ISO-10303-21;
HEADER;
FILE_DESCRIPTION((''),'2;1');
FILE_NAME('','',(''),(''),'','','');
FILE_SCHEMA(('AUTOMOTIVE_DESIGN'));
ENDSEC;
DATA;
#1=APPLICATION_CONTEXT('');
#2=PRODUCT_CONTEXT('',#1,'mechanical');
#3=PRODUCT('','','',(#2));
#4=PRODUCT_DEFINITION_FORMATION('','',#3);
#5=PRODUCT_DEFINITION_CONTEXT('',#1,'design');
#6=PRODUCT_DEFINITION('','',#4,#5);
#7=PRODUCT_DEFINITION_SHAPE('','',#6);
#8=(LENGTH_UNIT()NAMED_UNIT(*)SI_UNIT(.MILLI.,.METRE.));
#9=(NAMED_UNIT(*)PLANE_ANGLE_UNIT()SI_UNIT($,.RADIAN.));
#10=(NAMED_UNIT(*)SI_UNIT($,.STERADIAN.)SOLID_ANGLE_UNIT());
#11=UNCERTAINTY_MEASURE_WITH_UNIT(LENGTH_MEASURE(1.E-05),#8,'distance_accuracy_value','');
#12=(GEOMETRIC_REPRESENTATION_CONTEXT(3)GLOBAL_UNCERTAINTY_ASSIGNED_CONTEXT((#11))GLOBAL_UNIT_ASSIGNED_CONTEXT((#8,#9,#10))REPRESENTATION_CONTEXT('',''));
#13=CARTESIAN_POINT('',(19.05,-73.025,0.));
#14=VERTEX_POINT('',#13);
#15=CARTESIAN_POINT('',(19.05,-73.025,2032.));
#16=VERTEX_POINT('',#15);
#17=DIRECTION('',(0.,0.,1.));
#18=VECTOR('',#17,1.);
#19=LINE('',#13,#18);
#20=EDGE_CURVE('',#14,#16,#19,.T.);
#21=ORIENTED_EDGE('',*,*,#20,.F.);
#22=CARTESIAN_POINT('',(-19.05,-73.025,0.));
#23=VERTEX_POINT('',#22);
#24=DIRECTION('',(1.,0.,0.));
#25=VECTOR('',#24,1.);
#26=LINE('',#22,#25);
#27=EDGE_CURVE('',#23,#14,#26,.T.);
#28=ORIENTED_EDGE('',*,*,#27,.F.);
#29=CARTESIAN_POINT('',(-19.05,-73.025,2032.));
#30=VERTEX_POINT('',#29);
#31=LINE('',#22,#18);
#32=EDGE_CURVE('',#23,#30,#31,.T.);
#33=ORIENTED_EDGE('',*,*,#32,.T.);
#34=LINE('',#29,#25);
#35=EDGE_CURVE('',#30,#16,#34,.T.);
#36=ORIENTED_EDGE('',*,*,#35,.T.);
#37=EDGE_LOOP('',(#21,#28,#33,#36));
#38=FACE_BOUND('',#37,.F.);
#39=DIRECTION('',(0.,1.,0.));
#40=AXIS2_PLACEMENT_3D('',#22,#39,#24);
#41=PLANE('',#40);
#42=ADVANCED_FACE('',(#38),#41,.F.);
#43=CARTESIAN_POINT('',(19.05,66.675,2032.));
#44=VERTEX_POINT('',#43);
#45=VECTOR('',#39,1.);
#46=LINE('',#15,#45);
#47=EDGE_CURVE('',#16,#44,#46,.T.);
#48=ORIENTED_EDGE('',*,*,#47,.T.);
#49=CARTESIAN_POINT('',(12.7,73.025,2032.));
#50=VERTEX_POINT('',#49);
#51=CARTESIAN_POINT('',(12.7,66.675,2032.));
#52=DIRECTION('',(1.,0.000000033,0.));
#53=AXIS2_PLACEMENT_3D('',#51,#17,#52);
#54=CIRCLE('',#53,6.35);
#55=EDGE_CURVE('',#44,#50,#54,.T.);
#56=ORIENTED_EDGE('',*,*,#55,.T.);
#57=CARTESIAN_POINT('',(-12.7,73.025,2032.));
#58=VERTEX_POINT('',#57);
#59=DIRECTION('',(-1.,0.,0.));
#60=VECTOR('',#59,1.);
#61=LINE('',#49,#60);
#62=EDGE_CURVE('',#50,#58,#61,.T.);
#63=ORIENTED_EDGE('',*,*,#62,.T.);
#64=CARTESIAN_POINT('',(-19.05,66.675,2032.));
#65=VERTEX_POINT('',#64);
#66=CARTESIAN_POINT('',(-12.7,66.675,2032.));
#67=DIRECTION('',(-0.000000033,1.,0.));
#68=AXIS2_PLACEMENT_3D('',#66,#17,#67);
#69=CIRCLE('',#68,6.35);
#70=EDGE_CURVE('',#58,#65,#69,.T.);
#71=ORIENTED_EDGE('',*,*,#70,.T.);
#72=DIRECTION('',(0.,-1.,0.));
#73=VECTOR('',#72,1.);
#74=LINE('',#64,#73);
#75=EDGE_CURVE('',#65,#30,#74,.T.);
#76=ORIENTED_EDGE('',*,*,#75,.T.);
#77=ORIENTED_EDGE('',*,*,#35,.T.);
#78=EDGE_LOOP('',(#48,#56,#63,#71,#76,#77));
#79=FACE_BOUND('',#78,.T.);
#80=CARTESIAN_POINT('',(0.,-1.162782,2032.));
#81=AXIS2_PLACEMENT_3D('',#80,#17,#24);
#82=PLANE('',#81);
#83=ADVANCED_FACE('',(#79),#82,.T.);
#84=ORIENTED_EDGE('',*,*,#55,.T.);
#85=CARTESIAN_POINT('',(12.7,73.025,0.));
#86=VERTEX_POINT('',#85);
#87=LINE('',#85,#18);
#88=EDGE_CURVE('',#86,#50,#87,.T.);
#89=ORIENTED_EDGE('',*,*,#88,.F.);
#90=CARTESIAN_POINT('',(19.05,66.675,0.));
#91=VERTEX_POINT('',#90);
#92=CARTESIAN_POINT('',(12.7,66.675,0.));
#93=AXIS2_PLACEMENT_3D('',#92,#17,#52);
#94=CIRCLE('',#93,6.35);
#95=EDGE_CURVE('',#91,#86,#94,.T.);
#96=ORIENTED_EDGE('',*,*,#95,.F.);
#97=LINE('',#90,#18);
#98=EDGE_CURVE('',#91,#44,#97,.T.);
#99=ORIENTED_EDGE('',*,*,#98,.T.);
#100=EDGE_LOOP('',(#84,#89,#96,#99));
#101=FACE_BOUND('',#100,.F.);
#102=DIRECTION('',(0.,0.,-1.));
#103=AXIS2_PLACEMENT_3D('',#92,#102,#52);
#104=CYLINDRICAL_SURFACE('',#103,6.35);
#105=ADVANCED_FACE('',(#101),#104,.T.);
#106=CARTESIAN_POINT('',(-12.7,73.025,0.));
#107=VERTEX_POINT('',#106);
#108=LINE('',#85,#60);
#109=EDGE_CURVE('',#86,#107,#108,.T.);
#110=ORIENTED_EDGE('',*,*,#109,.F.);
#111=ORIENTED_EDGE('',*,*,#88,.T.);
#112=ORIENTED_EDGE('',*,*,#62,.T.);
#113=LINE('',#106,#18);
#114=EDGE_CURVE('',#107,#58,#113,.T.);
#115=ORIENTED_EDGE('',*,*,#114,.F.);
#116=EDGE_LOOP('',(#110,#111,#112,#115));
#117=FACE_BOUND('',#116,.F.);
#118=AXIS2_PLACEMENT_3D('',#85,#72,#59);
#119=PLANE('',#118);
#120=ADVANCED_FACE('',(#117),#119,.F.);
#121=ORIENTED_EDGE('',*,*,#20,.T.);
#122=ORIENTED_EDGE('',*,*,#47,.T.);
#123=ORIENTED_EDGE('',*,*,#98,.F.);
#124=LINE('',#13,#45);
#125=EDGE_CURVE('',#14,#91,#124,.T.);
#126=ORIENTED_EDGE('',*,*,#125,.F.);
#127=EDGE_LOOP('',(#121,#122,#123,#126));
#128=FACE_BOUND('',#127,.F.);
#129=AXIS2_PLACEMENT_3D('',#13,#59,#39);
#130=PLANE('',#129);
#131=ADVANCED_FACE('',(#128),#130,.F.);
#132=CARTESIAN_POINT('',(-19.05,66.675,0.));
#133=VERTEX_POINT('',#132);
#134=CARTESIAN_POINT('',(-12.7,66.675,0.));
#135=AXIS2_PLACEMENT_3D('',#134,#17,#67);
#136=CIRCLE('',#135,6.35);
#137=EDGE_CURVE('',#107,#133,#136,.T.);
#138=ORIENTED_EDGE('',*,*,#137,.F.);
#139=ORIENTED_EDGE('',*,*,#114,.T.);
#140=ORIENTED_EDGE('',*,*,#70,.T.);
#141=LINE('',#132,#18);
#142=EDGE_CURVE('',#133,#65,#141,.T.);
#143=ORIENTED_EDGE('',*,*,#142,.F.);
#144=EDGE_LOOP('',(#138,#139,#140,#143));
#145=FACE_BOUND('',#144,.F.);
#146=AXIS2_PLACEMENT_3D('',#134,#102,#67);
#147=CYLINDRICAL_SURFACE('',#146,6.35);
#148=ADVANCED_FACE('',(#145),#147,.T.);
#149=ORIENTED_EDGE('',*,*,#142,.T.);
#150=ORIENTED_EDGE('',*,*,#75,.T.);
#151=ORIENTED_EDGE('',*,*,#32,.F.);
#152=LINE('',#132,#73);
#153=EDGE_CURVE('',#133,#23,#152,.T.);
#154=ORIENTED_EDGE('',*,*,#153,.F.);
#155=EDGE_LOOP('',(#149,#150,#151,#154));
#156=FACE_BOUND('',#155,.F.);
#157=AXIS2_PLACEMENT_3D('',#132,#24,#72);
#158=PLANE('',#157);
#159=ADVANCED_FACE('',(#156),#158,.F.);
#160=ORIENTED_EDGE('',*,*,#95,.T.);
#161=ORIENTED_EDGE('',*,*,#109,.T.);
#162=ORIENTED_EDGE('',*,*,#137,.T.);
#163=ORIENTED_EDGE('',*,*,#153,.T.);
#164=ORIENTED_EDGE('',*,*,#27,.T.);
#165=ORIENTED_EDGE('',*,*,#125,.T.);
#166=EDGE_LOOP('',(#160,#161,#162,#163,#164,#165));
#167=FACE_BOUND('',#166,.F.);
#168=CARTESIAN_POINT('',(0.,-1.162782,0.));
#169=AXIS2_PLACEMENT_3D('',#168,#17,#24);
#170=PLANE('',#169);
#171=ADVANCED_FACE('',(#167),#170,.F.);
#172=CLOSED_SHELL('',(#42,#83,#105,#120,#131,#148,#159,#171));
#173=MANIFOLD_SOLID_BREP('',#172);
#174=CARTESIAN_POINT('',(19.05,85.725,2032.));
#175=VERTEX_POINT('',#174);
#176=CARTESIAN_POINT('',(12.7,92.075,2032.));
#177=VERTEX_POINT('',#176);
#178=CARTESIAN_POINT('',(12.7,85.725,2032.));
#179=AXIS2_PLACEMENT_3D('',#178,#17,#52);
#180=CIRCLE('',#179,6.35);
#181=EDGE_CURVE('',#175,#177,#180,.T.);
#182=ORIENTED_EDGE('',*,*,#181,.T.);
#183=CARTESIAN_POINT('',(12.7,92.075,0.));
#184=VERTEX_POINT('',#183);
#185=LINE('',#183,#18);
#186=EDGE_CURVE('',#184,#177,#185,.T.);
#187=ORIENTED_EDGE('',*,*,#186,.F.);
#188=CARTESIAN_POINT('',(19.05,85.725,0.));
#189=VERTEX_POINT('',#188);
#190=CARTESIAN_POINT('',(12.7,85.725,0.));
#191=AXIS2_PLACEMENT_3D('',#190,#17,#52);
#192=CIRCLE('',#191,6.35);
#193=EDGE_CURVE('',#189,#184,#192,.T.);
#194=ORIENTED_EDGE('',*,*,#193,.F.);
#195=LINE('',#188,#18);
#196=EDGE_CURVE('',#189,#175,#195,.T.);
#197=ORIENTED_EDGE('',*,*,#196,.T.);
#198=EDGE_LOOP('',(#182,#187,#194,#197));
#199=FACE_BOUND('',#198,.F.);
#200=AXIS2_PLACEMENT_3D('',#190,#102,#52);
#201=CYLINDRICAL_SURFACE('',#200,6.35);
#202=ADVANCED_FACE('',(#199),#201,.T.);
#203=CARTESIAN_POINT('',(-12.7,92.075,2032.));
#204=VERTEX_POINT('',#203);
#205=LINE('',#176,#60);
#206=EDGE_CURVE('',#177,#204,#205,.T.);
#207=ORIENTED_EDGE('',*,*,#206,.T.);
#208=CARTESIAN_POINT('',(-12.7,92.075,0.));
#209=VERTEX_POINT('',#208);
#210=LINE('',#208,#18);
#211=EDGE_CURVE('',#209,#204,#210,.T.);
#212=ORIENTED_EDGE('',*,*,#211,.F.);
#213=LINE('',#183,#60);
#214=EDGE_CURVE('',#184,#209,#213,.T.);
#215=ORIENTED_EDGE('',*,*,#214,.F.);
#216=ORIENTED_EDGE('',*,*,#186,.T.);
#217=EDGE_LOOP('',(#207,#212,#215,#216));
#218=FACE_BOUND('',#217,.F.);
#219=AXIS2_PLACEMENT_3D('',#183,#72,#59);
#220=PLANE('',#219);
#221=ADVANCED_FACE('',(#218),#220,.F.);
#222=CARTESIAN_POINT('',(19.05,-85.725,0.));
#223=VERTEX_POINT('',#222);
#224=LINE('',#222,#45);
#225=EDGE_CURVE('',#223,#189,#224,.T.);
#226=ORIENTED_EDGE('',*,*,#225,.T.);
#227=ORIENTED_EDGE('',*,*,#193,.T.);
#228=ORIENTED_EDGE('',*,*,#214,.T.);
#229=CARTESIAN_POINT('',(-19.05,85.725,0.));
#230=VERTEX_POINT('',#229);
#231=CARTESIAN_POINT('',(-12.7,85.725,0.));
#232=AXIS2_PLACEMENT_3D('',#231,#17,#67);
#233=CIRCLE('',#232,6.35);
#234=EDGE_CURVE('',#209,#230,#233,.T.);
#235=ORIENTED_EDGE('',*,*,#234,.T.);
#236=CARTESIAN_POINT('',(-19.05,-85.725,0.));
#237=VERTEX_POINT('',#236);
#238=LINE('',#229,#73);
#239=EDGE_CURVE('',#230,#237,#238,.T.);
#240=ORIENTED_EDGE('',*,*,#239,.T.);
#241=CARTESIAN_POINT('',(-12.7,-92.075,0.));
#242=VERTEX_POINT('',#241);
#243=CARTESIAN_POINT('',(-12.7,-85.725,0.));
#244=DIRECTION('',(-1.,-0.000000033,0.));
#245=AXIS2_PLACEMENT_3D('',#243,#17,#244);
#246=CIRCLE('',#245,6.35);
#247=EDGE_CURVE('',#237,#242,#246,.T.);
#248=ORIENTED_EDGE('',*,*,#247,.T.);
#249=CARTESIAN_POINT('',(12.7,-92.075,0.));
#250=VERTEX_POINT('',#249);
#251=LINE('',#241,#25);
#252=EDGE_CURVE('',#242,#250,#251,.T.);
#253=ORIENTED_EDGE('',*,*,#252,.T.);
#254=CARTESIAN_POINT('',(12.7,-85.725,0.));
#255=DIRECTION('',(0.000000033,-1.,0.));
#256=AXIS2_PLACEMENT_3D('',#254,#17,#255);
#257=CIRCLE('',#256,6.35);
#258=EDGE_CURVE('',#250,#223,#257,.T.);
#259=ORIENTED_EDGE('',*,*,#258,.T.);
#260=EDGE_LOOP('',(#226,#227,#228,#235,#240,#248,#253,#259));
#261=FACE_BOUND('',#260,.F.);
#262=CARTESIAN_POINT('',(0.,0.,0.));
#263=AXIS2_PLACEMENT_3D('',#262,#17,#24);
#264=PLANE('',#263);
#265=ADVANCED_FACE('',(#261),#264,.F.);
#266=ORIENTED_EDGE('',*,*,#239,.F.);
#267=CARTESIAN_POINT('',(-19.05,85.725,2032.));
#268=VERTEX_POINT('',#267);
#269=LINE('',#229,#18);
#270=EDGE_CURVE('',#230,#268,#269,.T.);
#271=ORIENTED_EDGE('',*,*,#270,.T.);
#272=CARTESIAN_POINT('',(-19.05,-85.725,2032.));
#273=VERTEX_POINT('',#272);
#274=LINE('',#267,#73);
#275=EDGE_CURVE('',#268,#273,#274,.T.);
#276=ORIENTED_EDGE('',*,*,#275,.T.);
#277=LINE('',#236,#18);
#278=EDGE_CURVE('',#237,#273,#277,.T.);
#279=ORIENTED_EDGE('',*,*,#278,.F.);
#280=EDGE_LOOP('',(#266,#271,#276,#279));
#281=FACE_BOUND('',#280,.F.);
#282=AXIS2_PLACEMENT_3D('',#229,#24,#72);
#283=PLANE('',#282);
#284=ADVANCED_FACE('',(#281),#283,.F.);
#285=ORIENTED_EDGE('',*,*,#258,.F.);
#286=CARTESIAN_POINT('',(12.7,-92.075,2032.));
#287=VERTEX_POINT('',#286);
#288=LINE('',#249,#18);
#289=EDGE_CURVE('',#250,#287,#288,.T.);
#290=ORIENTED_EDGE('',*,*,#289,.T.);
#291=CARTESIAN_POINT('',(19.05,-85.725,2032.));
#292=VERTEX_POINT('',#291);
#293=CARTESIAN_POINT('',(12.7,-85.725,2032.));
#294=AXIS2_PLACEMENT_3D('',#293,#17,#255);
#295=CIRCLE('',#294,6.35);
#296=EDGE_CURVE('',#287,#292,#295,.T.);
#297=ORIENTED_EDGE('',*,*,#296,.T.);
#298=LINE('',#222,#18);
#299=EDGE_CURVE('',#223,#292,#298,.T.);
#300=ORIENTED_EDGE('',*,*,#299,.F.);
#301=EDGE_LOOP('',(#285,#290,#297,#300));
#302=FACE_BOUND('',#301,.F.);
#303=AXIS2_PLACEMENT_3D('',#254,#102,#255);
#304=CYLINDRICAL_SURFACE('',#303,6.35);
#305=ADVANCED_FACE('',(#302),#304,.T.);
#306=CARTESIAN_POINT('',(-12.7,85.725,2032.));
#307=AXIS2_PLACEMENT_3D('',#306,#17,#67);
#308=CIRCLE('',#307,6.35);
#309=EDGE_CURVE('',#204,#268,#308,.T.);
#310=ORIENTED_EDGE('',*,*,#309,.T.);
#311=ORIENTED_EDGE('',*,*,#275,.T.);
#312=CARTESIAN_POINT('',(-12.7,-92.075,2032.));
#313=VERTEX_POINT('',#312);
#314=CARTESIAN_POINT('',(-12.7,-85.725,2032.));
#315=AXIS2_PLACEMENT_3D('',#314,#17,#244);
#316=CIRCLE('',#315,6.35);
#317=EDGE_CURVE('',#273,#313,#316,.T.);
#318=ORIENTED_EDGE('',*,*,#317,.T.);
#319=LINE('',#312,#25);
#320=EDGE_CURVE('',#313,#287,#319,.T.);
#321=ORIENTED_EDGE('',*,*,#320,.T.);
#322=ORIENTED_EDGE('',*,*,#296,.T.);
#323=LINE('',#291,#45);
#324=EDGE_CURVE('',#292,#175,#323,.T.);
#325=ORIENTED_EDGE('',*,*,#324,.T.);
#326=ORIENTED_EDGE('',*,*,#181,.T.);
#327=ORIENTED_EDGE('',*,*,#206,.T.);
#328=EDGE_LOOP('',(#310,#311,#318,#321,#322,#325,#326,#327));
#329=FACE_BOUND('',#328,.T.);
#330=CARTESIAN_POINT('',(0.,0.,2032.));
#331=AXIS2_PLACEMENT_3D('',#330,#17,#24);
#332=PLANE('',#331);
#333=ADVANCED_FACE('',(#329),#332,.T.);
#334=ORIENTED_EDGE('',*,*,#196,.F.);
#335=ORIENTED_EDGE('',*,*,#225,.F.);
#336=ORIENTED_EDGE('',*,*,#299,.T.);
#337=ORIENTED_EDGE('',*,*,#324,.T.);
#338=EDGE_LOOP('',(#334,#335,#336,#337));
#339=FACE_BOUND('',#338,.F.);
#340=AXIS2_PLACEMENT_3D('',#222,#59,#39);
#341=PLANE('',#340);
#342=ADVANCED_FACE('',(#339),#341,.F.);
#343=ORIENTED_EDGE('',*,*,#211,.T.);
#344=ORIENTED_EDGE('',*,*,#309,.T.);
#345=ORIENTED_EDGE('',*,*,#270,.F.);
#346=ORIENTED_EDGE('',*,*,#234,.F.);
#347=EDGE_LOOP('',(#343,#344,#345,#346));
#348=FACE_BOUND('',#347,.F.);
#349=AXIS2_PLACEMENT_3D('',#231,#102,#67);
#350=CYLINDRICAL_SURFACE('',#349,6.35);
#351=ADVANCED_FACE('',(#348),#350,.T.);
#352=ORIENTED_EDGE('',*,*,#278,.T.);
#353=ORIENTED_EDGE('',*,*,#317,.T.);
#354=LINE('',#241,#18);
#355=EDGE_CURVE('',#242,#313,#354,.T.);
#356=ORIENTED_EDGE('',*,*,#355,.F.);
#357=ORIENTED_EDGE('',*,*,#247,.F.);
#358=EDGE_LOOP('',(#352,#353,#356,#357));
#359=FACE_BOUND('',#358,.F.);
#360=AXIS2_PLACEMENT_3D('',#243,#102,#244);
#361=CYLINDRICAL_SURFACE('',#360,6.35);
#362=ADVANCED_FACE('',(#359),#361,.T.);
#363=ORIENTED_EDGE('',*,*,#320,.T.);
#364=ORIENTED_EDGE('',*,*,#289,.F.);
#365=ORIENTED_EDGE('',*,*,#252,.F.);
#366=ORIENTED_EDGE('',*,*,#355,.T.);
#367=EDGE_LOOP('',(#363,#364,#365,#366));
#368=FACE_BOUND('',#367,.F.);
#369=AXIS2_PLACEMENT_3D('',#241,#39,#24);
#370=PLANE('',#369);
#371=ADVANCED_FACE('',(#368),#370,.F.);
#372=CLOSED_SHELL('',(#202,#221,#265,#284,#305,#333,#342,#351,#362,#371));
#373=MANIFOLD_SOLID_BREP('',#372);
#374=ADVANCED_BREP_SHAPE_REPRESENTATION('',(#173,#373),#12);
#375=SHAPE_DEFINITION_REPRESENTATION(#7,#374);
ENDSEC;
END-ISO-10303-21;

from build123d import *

# Parameters (mm, degrees)
F1_DEPTH = 2032
F3_DEPTH = 2032


with BuildPart() as f1:
    # F0 (on Top) → F1 (new body)
    with BuildSketch(Plane.XY):
        with BuildLine():
            Line((12.7, 92.075), (-12.7, 92.075))
            ThreePointArc((-12.7, 92.075), (-17.190128, 90.215128), (-19.05, 85.725))
            Line((-19.05, 85.725), (-19.05, -85.725))
            ThreePointArc((-19.05, -85.725), (-17.190128, -90.215128), (-12.7, -92.075))
            Line((-12.7, -92.075), (12.7, -92.075))
            ThreePointArc((12.7, -92.075), (17.190128, -90.215128), (19.05, -85.725))
            Line((19.05, -85.725), (19.05, 85.725))
            ThreePointArc((19.05, 85.725), (17.190128, 90.215128), (12.7, 92.075))
        make_face()
    extrude(amount=F1_DEPTH)


with BuildPart() as f3:
    # F2 (on Top) → F3 (new body)
    with BuildSketch(Plane.XY):
        with BuildLine():
            Line((12.7, 73.025), (-12.7, 73.025))
            ThreePointArc((-12.7, 73.025), (-17.190128, 71.165128), (-19.05, 66.675))
            Line((-19.05, 66.675), (-19.05, -73.025))
            Line((-19.05, -73.025), (19.05, -73.025))
            Line((19.05, -73.025), (19.05, 66.675))
            ThreePointArc((19.05, 66.675), (17.190128, 71.165128), (12.7, 73.025))
        make_face()
    extrude(amount=F3_DEPTH)


solid = Compound([f1.part, f3.part])
